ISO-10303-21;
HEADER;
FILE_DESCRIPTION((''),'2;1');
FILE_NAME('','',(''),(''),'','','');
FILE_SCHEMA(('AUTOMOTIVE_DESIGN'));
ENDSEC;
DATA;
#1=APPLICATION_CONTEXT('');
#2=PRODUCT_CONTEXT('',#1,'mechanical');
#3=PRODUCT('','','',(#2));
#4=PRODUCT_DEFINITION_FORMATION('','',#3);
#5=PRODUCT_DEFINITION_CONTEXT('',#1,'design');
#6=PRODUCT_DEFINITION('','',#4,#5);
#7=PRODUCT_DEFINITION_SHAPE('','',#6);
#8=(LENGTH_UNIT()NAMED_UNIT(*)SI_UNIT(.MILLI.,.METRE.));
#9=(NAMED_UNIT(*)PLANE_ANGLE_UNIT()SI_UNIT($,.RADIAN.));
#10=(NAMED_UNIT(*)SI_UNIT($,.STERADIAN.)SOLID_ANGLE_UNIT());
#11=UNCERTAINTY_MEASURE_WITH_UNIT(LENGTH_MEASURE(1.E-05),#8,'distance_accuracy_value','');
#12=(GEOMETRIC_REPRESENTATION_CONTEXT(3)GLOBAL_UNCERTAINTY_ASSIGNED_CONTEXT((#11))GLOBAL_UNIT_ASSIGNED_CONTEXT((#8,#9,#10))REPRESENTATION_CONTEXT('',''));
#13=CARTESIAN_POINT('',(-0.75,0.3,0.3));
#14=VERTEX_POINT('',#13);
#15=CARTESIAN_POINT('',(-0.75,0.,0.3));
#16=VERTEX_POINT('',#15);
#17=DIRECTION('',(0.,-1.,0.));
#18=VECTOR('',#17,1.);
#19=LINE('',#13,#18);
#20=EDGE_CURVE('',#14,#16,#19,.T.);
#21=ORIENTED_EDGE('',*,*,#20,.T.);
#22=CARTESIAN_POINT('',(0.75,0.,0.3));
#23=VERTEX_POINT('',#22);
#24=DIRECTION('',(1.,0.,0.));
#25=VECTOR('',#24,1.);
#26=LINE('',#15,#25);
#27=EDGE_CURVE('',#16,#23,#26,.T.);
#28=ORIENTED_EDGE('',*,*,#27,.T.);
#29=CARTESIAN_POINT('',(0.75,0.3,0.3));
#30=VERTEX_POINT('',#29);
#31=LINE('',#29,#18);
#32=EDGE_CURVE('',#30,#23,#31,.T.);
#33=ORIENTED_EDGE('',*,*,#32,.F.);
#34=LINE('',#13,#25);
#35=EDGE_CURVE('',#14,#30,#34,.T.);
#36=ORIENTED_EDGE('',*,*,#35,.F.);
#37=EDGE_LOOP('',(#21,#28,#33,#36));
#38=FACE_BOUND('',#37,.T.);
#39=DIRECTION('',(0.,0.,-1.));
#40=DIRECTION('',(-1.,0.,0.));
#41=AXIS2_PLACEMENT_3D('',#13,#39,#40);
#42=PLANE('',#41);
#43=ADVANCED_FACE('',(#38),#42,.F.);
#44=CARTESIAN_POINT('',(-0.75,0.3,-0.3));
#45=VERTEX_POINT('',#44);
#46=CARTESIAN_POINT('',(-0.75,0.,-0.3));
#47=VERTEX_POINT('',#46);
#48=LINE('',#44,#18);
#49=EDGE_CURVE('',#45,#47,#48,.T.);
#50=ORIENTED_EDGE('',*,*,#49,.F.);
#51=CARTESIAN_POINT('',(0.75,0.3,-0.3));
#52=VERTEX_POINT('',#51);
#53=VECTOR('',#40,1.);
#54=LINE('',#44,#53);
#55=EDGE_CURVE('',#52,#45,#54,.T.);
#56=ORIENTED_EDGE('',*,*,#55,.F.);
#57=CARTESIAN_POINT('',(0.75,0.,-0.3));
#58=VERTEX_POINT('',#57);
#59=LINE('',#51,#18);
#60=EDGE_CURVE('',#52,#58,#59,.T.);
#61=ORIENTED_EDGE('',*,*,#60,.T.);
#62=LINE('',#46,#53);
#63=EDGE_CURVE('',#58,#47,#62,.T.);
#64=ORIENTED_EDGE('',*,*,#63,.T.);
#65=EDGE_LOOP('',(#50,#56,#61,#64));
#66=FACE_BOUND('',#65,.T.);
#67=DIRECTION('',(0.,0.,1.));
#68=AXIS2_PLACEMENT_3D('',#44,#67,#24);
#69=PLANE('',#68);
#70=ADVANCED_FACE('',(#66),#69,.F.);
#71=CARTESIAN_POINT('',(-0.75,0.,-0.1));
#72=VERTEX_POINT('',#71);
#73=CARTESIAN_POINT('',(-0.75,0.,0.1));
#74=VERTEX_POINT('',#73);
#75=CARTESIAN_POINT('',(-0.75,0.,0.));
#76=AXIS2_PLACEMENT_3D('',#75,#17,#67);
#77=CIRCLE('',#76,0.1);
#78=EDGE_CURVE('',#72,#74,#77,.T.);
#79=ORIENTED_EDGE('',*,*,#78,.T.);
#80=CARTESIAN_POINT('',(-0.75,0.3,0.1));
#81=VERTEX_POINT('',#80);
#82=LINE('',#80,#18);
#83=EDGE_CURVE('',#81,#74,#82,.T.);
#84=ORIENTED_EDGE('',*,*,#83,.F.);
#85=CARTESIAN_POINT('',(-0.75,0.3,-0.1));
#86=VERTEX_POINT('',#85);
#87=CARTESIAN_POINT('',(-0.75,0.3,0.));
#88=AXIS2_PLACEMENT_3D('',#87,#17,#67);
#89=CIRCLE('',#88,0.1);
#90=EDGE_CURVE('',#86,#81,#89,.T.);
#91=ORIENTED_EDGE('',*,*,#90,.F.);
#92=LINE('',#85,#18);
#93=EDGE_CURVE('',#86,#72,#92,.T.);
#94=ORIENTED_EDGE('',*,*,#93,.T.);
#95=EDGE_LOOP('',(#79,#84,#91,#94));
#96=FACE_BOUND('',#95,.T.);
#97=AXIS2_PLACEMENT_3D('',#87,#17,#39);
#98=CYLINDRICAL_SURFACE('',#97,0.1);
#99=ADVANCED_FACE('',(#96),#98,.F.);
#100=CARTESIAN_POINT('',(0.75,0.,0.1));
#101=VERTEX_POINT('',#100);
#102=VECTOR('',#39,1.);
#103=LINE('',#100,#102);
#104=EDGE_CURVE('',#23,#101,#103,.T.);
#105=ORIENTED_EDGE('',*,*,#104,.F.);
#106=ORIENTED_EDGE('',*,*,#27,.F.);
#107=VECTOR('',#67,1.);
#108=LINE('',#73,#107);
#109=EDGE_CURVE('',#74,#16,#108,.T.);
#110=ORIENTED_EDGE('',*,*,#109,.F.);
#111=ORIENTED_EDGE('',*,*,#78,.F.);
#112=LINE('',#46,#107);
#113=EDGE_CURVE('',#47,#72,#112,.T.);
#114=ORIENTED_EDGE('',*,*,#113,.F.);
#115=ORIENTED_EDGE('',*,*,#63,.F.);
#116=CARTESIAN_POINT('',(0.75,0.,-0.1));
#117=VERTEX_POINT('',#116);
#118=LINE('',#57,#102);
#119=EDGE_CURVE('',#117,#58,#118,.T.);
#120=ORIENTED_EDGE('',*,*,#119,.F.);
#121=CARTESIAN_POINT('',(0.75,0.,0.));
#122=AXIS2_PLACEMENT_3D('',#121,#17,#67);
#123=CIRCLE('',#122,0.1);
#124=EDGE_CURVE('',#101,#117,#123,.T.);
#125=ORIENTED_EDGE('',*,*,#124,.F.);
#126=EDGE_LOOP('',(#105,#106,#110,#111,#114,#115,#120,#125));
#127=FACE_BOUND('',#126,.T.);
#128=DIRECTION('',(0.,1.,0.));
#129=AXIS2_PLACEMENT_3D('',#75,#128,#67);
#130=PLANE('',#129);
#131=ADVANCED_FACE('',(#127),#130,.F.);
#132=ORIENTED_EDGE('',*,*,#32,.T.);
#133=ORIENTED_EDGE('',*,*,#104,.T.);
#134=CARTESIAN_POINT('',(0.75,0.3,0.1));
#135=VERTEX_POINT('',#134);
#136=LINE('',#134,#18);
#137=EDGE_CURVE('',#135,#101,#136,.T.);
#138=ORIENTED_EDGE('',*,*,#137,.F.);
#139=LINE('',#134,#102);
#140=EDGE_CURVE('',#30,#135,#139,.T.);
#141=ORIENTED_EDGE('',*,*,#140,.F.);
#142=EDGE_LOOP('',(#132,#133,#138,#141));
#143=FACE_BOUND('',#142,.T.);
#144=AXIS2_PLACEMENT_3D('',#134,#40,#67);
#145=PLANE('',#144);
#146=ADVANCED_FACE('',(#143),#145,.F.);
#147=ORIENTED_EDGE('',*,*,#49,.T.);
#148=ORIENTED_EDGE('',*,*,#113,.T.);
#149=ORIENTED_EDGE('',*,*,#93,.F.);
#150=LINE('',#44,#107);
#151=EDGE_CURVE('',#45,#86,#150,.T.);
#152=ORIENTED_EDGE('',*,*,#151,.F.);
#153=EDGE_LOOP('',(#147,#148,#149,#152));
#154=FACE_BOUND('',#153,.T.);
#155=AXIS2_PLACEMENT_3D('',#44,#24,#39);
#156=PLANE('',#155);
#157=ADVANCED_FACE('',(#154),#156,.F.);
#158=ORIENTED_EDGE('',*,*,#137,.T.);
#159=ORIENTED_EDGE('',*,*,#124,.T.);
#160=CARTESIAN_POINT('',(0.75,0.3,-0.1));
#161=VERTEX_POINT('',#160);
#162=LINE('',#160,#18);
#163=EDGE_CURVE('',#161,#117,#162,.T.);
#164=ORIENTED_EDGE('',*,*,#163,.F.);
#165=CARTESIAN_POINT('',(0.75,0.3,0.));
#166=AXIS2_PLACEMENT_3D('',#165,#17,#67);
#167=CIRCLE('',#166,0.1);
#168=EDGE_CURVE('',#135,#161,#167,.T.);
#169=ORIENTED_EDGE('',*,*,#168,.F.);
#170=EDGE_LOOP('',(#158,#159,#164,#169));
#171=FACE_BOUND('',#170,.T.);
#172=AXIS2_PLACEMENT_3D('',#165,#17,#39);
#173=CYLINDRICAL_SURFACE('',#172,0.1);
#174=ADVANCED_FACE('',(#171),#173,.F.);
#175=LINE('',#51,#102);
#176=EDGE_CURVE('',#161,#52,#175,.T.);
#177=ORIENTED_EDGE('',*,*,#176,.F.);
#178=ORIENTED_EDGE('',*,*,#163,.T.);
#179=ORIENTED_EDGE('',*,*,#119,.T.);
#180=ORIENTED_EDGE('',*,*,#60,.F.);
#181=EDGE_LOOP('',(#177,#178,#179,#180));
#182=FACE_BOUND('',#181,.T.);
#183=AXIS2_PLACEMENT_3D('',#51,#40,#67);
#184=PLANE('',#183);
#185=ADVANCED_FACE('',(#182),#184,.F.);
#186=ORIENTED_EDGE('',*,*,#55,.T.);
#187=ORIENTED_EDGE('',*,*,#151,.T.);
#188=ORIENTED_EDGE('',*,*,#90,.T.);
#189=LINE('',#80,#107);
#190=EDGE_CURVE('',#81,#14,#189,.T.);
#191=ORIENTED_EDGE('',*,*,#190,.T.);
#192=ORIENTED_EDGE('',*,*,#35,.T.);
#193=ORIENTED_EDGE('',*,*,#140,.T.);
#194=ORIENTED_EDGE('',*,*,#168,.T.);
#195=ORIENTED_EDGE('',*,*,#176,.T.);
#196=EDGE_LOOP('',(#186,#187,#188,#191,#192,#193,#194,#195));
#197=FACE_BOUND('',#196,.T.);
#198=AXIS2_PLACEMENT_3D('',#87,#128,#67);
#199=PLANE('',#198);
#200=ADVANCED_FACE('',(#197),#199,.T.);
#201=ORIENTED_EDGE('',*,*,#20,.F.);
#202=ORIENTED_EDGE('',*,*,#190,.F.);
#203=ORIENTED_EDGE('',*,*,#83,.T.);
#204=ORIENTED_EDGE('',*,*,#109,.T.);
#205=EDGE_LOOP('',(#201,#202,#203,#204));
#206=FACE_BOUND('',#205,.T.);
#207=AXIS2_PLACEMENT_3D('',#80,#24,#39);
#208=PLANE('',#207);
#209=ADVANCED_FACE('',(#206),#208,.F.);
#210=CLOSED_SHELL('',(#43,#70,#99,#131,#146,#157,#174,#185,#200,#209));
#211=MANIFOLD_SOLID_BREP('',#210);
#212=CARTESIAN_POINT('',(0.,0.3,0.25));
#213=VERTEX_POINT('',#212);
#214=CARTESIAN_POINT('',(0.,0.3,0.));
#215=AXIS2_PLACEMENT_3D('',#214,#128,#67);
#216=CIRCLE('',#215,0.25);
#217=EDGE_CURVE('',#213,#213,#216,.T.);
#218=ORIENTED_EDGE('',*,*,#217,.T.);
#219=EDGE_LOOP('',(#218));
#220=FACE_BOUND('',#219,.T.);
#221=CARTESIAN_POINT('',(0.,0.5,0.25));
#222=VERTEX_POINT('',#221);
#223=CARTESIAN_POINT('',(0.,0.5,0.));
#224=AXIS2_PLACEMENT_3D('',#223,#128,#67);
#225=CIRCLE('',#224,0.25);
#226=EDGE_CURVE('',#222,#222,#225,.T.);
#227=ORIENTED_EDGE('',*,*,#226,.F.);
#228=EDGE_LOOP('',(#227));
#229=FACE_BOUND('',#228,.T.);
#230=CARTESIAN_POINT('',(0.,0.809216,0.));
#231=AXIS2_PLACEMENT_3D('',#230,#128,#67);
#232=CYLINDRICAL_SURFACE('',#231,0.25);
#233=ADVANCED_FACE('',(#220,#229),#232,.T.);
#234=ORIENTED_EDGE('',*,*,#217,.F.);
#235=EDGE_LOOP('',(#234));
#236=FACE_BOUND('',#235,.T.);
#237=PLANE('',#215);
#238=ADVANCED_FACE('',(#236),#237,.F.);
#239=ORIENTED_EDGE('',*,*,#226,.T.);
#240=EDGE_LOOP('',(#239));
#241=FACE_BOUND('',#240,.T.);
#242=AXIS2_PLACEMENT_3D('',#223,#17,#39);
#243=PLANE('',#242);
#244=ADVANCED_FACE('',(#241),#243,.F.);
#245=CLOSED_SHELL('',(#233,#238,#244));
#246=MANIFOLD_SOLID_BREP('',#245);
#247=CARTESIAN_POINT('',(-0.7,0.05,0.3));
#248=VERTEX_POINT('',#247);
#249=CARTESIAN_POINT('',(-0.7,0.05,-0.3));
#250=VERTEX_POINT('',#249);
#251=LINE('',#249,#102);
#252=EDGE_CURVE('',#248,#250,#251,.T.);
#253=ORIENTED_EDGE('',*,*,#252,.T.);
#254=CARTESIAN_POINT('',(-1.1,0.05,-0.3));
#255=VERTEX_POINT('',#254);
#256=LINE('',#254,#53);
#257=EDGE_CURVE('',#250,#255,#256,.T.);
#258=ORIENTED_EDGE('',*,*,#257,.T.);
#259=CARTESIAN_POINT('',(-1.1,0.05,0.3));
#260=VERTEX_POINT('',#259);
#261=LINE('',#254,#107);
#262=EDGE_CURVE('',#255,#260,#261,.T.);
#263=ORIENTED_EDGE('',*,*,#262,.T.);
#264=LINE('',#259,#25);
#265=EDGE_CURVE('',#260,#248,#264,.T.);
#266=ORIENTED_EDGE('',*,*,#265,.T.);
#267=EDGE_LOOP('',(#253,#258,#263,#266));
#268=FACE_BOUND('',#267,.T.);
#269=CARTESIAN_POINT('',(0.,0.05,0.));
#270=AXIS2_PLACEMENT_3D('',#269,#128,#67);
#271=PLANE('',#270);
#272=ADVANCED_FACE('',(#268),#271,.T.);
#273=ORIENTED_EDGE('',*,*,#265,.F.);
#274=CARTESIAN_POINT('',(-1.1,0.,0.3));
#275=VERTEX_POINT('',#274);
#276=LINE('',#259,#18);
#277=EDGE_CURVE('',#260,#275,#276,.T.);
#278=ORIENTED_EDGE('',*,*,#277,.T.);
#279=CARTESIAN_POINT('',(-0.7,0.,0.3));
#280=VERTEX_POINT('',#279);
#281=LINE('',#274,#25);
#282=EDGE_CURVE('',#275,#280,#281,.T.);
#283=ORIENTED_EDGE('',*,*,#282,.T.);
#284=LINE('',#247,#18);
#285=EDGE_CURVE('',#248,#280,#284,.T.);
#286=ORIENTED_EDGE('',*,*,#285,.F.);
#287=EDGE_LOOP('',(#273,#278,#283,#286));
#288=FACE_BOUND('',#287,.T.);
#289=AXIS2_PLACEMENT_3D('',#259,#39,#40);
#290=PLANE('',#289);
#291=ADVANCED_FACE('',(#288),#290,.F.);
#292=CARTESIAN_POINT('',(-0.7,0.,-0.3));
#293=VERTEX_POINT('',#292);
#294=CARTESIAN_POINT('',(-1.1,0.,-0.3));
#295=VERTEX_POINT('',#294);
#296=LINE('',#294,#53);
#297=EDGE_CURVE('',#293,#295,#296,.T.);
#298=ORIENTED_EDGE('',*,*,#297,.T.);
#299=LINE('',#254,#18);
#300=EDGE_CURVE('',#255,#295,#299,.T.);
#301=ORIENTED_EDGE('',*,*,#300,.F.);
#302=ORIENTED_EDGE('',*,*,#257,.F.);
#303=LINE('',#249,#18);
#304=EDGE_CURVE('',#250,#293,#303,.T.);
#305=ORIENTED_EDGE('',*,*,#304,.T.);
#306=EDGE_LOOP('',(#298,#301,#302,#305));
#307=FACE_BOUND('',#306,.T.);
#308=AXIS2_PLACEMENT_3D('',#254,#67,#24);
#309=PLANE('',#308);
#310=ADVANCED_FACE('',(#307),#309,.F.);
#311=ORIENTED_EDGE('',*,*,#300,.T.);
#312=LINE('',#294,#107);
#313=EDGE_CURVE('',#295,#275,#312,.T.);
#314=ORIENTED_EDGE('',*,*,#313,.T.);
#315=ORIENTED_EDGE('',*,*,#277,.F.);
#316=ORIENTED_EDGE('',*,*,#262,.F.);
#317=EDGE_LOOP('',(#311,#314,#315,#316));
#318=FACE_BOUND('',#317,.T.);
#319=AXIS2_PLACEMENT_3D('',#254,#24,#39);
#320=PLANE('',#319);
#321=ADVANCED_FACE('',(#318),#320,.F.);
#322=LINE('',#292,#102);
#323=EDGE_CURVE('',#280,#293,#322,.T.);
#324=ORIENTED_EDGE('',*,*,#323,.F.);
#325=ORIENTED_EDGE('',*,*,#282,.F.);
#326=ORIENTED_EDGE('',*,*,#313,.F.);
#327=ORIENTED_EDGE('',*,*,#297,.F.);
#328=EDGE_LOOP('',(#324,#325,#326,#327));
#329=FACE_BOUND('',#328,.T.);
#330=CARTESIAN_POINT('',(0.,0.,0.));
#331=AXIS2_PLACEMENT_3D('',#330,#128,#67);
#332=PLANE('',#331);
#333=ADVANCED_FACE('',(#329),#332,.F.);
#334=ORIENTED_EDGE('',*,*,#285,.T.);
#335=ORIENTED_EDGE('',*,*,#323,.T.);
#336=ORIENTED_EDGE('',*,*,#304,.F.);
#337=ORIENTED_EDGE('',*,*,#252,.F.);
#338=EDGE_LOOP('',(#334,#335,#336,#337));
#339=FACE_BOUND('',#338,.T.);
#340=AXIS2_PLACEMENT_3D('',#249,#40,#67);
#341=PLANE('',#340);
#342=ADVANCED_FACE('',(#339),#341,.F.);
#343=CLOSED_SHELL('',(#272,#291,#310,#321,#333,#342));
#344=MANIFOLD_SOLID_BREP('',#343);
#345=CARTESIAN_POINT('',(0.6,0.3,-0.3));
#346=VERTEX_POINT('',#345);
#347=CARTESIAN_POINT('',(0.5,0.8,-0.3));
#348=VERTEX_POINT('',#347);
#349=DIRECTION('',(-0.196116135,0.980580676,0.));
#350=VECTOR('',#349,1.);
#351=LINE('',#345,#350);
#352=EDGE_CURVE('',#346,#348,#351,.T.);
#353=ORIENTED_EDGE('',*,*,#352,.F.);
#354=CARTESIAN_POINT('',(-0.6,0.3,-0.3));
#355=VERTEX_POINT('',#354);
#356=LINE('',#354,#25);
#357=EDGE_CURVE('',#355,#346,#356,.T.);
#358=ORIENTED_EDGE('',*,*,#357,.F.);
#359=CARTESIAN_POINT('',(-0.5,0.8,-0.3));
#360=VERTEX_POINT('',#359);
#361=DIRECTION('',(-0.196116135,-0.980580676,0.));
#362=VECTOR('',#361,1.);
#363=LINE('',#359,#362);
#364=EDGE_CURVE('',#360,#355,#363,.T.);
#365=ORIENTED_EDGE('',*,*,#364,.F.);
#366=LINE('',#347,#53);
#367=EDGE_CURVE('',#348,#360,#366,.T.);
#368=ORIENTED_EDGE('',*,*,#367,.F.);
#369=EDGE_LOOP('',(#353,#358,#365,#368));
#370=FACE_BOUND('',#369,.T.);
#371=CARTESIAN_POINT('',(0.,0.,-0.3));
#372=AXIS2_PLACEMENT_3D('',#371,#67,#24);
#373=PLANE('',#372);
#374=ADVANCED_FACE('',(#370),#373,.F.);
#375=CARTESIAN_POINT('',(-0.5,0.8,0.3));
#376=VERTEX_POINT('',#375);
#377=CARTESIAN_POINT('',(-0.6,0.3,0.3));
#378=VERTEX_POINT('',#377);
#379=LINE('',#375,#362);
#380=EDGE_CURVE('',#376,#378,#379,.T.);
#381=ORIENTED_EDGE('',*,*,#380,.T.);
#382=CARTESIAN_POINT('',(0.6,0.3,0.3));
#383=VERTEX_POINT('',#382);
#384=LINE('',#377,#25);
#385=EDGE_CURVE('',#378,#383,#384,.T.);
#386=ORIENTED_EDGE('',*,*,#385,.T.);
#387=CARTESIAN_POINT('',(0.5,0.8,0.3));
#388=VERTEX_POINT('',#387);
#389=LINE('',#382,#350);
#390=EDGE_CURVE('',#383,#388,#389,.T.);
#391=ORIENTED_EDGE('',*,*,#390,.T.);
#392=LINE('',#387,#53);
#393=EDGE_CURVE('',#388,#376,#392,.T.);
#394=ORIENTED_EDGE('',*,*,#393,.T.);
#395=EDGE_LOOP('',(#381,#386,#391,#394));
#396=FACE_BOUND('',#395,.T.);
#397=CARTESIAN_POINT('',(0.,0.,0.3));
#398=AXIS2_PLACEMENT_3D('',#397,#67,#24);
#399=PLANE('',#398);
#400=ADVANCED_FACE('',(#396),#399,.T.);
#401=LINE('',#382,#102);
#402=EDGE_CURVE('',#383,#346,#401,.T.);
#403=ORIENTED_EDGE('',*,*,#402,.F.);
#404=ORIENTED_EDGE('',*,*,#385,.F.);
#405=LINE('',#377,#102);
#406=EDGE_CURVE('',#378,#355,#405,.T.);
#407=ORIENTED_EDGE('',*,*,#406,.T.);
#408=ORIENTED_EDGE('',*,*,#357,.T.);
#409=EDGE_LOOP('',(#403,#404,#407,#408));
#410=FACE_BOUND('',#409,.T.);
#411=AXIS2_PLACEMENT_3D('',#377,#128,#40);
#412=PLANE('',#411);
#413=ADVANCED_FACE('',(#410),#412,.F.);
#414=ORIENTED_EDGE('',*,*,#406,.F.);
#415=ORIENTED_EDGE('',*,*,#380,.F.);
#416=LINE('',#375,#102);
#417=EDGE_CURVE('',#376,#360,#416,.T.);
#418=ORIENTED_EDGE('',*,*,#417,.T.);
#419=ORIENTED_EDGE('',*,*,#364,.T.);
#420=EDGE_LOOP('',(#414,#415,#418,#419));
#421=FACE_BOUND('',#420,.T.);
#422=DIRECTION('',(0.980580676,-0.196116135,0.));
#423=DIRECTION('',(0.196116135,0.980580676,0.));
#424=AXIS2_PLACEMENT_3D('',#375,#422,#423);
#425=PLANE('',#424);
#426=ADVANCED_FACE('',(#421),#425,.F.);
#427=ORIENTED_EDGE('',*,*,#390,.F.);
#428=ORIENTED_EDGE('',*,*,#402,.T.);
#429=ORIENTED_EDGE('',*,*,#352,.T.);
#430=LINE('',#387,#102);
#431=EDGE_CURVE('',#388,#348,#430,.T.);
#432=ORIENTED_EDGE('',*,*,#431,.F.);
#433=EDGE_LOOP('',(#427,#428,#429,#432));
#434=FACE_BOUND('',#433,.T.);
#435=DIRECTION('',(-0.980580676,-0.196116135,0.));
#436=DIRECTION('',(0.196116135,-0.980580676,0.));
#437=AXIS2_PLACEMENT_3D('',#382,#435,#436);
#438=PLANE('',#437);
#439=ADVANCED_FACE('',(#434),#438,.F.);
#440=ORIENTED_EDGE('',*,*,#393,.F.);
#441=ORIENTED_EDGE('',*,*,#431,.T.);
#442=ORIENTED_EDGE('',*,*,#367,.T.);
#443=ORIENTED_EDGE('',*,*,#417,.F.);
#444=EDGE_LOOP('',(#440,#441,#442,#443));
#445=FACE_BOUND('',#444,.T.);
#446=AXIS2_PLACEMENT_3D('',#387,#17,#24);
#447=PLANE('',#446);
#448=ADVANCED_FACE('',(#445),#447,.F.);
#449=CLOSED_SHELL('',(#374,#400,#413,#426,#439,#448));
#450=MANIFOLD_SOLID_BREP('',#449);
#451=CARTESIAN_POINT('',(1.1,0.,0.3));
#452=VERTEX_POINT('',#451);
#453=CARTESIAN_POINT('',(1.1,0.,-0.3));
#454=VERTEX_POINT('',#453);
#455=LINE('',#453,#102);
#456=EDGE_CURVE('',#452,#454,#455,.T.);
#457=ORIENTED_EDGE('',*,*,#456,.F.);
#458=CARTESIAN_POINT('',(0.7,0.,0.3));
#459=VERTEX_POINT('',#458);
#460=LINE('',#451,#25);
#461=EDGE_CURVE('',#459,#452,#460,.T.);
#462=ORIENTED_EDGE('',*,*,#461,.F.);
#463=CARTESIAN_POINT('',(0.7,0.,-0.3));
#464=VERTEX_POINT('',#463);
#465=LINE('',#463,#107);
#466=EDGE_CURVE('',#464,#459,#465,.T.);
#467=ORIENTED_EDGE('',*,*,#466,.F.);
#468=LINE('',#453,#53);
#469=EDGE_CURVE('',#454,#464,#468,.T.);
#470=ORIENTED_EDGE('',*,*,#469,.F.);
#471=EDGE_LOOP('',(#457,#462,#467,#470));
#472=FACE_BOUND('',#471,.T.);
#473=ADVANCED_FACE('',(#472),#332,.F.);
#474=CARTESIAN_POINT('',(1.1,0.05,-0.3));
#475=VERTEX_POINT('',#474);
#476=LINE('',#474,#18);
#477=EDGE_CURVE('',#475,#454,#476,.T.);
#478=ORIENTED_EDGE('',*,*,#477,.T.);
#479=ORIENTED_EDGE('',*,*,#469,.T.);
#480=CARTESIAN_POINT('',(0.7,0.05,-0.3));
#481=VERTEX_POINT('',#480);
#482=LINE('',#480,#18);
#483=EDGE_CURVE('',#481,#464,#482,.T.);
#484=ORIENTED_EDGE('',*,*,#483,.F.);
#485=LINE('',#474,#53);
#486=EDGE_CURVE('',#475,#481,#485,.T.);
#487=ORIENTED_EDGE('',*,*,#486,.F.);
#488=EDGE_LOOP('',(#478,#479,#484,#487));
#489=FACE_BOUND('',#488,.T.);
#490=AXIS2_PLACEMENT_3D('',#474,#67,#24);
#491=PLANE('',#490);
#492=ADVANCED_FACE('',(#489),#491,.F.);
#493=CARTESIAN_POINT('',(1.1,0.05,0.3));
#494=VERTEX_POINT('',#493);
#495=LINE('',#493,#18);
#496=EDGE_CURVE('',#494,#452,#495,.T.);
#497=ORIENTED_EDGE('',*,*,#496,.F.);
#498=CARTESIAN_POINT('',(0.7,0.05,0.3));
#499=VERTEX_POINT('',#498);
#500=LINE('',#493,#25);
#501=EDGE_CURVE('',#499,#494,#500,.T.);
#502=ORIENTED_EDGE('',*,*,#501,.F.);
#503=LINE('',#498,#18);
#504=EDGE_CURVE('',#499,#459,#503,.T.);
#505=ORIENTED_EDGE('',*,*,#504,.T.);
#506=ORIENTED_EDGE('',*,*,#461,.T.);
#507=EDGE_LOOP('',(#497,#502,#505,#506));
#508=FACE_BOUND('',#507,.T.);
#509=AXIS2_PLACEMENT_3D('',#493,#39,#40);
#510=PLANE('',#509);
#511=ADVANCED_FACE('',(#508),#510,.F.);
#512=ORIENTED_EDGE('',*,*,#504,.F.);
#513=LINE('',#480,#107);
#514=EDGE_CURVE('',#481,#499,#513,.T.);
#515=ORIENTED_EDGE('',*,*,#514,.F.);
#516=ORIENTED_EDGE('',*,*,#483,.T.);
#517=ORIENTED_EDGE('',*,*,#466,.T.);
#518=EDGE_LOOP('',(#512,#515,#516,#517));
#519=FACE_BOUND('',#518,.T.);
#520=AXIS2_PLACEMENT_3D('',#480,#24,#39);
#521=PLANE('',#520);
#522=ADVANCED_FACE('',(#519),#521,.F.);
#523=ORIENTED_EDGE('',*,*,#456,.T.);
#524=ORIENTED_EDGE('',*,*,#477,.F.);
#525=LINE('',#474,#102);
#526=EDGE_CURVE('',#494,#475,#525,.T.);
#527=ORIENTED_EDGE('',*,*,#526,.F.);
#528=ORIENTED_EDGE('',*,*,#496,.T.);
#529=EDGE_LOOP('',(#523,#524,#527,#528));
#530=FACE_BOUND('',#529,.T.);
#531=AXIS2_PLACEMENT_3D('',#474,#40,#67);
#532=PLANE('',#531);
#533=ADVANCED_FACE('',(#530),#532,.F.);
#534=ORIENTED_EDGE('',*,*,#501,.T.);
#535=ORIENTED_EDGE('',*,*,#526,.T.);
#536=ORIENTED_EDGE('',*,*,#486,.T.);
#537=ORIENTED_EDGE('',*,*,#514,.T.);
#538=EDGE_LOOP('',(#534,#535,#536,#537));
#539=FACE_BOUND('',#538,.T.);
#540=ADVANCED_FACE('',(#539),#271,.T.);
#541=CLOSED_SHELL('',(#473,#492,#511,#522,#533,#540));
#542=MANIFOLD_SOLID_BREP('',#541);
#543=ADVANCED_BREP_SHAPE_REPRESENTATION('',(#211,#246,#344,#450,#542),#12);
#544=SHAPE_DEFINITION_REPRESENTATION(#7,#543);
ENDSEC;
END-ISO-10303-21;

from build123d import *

# Parameters (mm, degrees)
BOSS_EXTRUDE1_DEPTH   = 0.3
SKETCH3_W             = 0.25
SKETCH3_H             = 0.2
SKETCH4_W             = 0.4
SKETCH4_H             = 0.6
BOSS_EXTRUDE4_DEPTH   = 0.05
BOSS_EXTRUDE4_2_DEPTH = 0.05
BOSS_EXTRUDE5_DEPTH   = 0.3


with BuildPart() as part:
    # Sketch1 → Boss-Extrude1 (new body)
    with BuildSketch(Plane(origin=(0, 0, 0), x_dir=(1, 0, 0), z_dir=(0, 1, 0))):
        with BuildLine():
            Line((-0.75, 0.3), (0.75, 0.3))
            Line((0.75, 0.3), (0.75, 0.1))
            ThreePointArc((0.75, 0.1), (0.65, 0), (0.75, -0.1))
            Line((0.75, -0.1), (0.75, -0.3))
            Line((0.75, -0.3), (-0.75, -0.3))
            Line((-0.75, -0.3), (-0.75, -0.1))
            ThreePointArc((-0.75, -0.1), (-0.65, 0), (-0.75, 0.1))
            Line((-0.75, 0.1), (-0.75, 0.3))
        make_face()
    extrude(amount=BOSS_EXTRUDE1_DEPTH)


with BuildPart() as body_2:
    # Sketch3 → Revolve1 (revolve)
    with BuildSketch(Plane.XY, mode=Mode.PRIVATE) as revolve1_sk:
        with Locations((0.125, 0.4)):
            Rectangle(SKETCH3_W, SKETCH3_H)
    revolve(revolve1_sk.sketch.rotate(Axis((0, 0.809216282, 0), (0, -1, 0)), 90), axis=Axis((0, 0.809216282, 0), (0, -1, 0)))


with BuildPart() as body_3:
    # Sketch4 → Boss-Extrude4 (new body)
    with BuildSketch(Plane(origin=(0, 0, 0), x_dir=(1, 0, 0), z_dir=(0, 1, 0))):
        with Locations((0.9, 0)):
            Rectangle(SKETCH4_W, SKETCH4_H)
    extrude(amount=BOSS_EXTRUDE4_DEPTH)


with BuildPart() as body_4:
    # Sketch4 → Boss-Extrude4 2 (new body)
    with BuildSketch(Plane(origin=(0, 0, 0), x_dir=(1, 0, 0), z_dir=(0, 1, 0))):
        with Locations((-0.9, 0)):
            Rectangle(SKETCH4_W, SKETCH4_H)
    extrude(amount=BOSS_EXTRUDE4_2_DEPTH)


with BuildPart() as body_5:
    # Sketch2 → Boss-Extrude5 (new, symmetric)
    with BuildSketch(Plane.XY):
        Polygon((-0.6, 0.3), (0.6, 0.3), (0.5, 0.8), (-0.5, 0.8), align=None)
    extrude(amount=BOSS_EXTRUDE5_DEPTH, both=True)


solid = Compound([part.part, body_2.part, body_3.part, body_4.part, body_5.part])
